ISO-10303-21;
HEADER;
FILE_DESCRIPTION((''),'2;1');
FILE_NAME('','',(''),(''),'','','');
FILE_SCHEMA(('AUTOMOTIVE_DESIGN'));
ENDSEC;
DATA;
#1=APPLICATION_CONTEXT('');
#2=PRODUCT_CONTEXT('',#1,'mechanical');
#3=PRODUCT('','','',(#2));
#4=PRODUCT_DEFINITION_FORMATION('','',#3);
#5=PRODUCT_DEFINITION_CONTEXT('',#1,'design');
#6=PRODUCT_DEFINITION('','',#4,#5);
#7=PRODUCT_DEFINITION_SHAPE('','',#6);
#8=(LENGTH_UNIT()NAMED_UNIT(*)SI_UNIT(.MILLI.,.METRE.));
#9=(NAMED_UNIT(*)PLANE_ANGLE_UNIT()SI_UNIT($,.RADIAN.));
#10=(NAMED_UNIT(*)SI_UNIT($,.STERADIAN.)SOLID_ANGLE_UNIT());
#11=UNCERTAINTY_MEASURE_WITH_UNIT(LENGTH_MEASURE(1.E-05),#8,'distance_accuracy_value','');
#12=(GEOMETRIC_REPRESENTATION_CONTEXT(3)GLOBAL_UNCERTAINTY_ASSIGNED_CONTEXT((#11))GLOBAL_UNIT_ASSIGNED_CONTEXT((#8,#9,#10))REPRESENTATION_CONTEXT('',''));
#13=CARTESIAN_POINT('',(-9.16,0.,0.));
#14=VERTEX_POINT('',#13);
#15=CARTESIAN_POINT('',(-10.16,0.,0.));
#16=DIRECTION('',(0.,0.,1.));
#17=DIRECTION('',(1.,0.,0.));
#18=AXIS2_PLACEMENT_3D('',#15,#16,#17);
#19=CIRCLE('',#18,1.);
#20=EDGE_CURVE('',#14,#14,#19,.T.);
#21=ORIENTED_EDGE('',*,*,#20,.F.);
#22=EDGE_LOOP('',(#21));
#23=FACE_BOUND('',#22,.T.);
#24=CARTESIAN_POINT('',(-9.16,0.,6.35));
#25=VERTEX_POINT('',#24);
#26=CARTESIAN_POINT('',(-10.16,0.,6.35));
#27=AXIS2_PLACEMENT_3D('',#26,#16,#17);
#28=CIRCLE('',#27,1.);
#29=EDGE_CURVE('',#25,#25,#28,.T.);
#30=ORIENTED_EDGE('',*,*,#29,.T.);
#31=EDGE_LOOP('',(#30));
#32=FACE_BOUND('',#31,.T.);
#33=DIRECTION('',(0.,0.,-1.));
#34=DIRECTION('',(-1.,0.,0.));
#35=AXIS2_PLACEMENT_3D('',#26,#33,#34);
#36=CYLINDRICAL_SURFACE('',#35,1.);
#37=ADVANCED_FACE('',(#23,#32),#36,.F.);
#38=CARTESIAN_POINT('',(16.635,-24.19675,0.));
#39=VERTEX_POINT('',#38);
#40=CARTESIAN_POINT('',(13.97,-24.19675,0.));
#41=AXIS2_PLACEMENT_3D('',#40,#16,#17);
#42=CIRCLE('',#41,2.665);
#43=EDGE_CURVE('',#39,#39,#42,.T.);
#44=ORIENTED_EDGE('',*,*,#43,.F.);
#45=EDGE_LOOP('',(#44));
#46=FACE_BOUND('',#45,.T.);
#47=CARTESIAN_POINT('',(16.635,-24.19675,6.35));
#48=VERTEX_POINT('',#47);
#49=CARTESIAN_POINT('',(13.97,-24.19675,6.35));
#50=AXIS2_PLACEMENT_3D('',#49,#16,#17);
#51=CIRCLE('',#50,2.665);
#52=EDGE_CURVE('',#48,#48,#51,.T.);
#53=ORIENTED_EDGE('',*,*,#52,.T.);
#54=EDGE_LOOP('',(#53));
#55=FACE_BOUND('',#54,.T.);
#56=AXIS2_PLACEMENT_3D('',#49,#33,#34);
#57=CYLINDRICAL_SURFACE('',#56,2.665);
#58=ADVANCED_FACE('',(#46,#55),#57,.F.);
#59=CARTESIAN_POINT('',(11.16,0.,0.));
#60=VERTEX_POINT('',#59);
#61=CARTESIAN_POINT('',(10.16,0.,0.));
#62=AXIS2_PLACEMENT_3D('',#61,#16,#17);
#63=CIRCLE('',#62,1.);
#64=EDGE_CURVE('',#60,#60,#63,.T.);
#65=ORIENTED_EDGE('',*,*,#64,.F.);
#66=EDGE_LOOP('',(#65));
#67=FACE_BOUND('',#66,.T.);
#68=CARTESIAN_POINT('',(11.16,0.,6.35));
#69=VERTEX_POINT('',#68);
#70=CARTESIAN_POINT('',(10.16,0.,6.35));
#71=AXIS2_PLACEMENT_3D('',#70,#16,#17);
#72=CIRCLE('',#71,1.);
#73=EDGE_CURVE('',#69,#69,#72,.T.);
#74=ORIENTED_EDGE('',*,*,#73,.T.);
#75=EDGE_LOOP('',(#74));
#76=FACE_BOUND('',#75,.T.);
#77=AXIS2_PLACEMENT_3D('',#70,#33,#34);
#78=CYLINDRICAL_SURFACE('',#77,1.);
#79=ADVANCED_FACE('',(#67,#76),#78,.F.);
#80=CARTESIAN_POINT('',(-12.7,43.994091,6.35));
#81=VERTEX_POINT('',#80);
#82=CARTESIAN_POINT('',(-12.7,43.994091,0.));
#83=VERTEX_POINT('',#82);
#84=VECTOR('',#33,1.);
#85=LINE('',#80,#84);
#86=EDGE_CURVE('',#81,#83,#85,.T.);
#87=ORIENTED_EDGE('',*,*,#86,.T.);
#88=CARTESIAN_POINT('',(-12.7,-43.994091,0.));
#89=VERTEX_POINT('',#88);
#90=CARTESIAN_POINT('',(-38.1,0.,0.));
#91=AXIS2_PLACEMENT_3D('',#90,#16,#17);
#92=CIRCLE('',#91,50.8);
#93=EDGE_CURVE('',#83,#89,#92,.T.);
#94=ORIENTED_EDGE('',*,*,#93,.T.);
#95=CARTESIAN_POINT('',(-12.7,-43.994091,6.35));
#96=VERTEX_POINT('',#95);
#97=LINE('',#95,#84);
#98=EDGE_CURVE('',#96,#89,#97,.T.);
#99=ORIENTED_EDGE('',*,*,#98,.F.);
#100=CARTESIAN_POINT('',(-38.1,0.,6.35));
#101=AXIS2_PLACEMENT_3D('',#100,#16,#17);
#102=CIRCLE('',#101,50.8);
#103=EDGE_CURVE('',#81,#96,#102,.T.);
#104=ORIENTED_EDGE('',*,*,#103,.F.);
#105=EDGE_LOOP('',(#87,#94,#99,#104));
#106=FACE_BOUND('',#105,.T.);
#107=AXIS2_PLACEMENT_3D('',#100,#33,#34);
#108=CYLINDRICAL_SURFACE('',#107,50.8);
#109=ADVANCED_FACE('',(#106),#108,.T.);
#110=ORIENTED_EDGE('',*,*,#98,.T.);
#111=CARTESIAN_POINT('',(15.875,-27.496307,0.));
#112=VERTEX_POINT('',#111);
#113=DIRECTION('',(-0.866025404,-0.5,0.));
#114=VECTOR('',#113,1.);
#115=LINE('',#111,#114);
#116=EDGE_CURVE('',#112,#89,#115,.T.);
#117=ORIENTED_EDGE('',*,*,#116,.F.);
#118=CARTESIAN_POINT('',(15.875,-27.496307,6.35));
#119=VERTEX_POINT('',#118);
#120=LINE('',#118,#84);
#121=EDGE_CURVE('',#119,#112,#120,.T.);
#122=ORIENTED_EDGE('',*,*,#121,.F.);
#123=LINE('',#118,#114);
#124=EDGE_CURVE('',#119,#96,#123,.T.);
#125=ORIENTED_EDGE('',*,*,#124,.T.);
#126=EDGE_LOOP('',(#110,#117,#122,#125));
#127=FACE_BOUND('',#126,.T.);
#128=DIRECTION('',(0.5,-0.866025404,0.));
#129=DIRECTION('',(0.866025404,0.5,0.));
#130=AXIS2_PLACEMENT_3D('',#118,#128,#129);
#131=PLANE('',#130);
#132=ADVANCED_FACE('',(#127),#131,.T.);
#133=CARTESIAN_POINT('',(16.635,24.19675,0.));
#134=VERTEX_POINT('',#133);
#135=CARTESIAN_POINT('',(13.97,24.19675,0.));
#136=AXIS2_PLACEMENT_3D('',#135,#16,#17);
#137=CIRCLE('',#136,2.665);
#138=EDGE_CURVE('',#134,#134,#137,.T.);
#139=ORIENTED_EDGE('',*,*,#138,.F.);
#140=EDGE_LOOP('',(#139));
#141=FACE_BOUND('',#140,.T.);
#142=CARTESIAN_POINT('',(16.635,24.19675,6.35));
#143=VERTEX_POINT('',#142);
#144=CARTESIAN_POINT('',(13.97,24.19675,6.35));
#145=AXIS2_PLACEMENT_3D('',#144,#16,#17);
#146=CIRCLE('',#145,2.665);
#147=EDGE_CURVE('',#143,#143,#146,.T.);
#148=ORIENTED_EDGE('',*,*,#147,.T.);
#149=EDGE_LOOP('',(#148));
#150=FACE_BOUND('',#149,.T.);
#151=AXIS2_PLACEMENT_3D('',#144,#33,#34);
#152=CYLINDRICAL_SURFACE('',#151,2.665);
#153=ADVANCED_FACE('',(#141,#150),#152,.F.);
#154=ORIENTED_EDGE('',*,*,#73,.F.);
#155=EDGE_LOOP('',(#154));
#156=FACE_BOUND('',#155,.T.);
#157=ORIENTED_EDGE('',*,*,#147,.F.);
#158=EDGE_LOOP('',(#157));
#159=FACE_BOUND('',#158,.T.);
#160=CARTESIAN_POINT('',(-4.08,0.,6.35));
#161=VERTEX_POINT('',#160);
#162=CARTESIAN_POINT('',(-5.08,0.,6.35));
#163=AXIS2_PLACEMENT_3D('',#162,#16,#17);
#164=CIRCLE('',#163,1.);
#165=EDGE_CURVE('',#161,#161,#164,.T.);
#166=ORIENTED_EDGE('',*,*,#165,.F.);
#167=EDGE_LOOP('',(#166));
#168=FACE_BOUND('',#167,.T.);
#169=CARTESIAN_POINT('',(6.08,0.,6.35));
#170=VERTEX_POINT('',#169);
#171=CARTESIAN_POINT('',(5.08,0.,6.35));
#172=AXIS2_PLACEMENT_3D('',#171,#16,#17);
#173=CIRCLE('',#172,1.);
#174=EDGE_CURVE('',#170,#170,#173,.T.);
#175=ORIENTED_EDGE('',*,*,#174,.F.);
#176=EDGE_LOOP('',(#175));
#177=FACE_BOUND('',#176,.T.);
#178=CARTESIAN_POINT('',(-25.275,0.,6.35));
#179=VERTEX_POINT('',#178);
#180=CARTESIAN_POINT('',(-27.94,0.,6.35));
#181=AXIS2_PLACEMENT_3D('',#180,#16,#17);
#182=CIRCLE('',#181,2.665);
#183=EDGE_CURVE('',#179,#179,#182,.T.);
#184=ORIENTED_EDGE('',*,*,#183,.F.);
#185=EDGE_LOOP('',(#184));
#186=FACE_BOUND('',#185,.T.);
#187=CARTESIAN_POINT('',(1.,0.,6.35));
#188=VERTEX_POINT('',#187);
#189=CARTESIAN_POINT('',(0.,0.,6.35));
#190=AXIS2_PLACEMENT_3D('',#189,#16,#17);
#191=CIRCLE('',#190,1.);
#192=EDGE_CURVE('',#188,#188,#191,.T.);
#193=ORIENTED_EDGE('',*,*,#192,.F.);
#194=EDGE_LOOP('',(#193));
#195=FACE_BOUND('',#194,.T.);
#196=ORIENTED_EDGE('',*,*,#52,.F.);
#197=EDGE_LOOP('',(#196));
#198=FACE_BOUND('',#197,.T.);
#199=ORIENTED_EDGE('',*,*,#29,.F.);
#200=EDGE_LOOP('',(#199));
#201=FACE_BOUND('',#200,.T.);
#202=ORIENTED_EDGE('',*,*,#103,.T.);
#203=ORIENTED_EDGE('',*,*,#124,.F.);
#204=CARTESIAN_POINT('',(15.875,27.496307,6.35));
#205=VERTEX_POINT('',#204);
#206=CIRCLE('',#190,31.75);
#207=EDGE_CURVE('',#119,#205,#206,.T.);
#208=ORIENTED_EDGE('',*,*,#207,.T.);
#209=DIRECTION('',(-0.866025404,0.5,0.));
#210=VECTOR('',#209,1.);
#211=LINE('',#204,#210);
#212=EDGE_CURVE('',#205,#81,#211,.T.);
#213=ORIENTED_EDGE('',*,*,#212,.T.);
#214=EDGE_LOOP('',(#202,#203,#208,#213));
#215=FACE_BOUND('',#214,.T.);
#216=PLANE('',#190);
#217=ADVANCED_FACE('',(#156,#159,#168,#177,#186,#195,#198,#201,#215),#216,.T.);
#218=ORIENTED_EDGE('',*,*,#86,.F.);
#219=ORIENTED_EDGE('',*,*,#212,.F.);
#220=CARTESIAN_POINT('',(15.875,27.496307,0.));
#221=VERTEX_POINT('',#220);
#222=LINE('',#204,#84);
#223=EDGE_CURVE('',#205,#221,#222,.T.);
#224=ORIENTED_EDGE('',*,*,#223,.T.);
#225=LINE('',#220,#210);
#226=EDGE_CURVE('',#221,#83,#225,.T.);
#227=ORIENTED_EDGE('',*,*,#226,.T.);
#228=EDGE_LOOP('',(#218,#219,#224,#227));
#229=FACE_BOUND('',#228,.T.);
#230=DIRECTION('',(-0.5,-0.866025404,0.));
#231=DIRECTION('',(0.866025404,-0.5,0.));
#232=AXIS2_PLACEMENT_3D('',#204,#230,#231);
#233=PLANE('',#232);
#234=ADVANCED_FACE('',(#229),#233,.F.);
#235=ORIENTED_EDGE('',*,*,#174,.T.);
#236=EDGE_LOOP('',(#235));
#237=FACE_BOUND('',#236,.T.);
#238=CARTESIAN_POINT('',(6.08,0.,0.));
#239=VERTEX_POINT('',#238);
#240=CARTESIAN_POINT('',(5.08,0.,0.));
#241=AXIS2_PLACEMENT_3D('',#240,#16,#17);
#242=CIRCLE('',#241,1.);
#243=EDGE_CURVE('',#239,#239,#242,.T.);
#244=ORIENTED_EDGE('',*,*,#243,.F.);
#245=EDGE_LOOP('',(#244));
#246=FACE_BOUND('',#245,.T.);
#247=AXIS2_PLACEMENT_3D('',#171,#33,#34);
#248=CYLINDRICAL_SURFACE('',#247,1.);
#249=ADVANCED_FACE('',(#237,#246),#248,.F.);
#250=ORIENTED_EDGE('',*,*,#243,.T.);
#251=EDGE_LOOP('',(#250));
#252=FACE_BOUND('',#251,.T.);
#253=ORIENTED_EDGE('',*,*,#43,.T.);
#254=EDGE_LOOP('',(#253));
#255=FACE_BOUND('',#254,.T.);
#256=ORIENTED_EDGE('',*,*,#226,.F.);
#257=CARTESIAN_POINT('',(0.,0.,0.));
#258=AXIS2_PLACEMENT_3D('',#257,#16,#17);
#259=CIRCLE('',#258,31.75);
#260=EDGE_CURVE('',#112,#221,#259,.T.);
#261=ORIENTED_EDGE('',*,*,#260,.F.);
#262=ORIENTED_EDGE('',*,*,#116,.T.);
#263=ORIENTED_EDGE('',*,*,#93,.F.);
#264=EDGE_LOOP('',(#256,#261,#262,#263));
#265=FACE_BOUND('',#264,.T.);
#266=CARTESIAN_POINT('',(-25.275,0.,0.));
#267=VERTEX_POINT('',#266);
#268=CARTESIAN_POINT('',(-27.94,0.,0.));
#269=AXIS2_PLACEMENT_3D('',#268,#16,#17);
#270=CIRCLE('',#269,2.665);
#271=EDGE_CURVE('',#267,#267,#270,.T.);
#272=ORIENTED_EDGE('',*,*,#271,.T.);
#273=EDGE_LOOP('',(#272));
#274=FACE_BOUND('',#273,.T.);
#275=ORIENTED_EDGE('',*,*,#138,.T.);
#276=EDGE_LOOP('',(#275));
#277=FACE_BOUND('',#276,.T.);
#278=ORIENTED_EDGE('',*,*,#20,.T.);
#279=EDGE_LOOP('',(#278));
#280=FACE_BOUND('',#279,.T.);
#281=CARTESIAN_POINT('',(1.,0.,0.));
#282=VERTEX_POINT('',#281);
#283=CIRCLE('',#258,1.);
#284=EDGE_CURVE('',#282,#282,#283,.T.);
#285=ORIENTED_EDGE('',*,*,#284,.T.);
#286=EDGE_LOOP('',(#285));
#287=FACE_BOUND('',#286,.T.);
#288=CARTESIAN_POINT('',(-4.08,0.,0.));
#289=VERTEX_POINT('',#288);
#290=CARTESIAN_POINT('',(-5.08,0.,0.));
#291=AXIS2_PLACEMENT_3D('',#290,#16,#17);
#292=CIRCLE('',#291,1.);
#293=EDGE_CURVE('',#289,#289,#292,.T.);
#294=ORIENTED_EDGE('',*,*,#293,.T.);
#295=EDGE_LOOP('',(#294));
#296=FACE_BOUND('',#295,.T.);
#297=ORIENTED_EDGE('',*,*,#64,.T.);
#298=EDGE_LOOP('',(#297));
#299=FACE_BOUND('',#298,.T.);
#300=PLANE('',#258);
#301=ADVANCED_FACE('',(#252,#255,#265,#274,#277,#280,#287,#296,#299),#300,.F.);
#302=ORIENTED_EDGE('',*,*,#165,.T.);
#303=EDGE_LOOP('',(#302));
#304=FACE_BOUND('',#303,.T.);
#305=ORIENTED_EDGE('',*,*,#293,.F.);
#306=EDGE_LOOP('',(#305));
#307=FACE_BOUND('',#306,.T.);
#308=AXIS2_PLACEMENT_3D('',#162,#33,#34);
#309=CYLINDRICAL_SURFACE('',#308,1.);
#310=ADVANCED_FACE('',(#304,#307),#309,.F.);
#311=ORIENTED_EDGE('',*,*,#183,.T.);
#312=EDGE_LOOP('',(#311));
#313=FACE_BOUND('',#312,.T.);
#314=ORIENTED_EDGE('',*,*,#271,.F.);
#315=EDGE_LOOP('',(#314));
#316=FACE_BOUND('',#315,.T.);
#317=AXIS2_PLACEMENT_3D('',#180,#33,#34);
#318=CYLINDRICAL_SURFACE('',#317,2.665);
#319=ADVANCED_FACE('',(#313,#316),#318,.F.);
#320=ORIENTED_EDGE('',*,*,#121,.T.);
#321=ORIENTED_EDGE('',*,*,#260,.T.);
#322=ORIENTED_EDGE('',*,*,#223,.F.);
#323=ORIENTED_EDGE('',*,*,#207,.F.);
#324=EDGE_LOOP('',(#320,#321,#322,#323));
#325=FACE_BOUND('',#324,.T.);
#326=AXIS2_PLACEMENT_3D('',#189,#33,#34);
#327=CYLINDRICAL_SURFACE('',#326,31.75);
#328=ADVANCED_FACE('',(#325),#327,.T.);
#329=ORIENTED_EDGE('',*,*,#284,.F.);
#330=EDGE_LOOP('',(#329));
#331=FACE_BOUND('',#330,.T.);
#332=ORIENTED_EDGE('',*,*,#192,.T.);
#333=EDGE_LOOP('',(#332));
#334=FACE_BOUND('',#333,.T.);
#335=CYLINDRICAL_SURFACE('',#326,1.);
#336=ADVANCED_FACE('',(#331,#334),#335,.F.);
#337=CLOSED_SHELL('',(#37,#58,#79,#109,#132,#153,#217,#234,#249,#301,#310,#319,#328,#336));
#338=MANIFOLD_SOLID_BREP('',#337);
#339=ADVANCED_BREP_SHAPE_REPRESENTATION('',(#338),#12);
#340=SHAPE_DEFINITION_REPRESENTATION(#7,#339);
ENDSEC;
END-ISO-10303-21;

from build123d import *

# Parameters (mm, degrees)
SKETCH1_R           = 2.665
SKETCH1_R_2         = 1
BOSS_EXTRUDE1_DEPTH = 6.35


with BuildPart() as part:
    # Sketch1 → Boss-Extrude1 (new body)
    with BuildSketch(Plane.XY):
        with BuildLine():
            ThreePointArc((-12.7, 43.994090512), (-88.9, 0), (-12.7, -43.994090512))
            Line((-12.7, -43.994090512), (15.875, -27.49630657))
            ThreePointArc((15.875, -27.49630657), (31.75, 0), (15.875, 27.49630657))
            Line((15.875, 27.49630657), (-12.7, 43.994090512))
        make_face()
        with Locations((13.97, -24.196749782)):
            Circle(SKETCH1_R, mode=Mode.SUBTRACT)
        with Locations((13.97, 24.196749782)):
            Circle(SKETCH1_R, mode=Mode.SUBTRACT)
        with Locations((5.08, 0)):
            Circle(SKETCH1_R_2, mode=Mode.SUBTRACT)
        with Locations((10.16, 0)):
            Circle(SKETCH1_R_2, mode=Mode.SUBTRACT)
        Circle(SKETCH1_R_2, mode=Mode.SUBTRACT)
        with Locations((-27.94, 0)):
            Circle(SKETCH1_R, mode=Mode.SUBTRACT)
        with Locations((-10.16, 0)):
            Circle(SKETCH1_R_2, mode=Mode.SUBTRACT)
        with Locations((-5.08, 0)):
            Circle(SKETCH1_R_2, mode=Mode.SUBTRACT)
    extrude(amount=BOSS_EXTRUDE1_DEPTH)


solid = part.part
